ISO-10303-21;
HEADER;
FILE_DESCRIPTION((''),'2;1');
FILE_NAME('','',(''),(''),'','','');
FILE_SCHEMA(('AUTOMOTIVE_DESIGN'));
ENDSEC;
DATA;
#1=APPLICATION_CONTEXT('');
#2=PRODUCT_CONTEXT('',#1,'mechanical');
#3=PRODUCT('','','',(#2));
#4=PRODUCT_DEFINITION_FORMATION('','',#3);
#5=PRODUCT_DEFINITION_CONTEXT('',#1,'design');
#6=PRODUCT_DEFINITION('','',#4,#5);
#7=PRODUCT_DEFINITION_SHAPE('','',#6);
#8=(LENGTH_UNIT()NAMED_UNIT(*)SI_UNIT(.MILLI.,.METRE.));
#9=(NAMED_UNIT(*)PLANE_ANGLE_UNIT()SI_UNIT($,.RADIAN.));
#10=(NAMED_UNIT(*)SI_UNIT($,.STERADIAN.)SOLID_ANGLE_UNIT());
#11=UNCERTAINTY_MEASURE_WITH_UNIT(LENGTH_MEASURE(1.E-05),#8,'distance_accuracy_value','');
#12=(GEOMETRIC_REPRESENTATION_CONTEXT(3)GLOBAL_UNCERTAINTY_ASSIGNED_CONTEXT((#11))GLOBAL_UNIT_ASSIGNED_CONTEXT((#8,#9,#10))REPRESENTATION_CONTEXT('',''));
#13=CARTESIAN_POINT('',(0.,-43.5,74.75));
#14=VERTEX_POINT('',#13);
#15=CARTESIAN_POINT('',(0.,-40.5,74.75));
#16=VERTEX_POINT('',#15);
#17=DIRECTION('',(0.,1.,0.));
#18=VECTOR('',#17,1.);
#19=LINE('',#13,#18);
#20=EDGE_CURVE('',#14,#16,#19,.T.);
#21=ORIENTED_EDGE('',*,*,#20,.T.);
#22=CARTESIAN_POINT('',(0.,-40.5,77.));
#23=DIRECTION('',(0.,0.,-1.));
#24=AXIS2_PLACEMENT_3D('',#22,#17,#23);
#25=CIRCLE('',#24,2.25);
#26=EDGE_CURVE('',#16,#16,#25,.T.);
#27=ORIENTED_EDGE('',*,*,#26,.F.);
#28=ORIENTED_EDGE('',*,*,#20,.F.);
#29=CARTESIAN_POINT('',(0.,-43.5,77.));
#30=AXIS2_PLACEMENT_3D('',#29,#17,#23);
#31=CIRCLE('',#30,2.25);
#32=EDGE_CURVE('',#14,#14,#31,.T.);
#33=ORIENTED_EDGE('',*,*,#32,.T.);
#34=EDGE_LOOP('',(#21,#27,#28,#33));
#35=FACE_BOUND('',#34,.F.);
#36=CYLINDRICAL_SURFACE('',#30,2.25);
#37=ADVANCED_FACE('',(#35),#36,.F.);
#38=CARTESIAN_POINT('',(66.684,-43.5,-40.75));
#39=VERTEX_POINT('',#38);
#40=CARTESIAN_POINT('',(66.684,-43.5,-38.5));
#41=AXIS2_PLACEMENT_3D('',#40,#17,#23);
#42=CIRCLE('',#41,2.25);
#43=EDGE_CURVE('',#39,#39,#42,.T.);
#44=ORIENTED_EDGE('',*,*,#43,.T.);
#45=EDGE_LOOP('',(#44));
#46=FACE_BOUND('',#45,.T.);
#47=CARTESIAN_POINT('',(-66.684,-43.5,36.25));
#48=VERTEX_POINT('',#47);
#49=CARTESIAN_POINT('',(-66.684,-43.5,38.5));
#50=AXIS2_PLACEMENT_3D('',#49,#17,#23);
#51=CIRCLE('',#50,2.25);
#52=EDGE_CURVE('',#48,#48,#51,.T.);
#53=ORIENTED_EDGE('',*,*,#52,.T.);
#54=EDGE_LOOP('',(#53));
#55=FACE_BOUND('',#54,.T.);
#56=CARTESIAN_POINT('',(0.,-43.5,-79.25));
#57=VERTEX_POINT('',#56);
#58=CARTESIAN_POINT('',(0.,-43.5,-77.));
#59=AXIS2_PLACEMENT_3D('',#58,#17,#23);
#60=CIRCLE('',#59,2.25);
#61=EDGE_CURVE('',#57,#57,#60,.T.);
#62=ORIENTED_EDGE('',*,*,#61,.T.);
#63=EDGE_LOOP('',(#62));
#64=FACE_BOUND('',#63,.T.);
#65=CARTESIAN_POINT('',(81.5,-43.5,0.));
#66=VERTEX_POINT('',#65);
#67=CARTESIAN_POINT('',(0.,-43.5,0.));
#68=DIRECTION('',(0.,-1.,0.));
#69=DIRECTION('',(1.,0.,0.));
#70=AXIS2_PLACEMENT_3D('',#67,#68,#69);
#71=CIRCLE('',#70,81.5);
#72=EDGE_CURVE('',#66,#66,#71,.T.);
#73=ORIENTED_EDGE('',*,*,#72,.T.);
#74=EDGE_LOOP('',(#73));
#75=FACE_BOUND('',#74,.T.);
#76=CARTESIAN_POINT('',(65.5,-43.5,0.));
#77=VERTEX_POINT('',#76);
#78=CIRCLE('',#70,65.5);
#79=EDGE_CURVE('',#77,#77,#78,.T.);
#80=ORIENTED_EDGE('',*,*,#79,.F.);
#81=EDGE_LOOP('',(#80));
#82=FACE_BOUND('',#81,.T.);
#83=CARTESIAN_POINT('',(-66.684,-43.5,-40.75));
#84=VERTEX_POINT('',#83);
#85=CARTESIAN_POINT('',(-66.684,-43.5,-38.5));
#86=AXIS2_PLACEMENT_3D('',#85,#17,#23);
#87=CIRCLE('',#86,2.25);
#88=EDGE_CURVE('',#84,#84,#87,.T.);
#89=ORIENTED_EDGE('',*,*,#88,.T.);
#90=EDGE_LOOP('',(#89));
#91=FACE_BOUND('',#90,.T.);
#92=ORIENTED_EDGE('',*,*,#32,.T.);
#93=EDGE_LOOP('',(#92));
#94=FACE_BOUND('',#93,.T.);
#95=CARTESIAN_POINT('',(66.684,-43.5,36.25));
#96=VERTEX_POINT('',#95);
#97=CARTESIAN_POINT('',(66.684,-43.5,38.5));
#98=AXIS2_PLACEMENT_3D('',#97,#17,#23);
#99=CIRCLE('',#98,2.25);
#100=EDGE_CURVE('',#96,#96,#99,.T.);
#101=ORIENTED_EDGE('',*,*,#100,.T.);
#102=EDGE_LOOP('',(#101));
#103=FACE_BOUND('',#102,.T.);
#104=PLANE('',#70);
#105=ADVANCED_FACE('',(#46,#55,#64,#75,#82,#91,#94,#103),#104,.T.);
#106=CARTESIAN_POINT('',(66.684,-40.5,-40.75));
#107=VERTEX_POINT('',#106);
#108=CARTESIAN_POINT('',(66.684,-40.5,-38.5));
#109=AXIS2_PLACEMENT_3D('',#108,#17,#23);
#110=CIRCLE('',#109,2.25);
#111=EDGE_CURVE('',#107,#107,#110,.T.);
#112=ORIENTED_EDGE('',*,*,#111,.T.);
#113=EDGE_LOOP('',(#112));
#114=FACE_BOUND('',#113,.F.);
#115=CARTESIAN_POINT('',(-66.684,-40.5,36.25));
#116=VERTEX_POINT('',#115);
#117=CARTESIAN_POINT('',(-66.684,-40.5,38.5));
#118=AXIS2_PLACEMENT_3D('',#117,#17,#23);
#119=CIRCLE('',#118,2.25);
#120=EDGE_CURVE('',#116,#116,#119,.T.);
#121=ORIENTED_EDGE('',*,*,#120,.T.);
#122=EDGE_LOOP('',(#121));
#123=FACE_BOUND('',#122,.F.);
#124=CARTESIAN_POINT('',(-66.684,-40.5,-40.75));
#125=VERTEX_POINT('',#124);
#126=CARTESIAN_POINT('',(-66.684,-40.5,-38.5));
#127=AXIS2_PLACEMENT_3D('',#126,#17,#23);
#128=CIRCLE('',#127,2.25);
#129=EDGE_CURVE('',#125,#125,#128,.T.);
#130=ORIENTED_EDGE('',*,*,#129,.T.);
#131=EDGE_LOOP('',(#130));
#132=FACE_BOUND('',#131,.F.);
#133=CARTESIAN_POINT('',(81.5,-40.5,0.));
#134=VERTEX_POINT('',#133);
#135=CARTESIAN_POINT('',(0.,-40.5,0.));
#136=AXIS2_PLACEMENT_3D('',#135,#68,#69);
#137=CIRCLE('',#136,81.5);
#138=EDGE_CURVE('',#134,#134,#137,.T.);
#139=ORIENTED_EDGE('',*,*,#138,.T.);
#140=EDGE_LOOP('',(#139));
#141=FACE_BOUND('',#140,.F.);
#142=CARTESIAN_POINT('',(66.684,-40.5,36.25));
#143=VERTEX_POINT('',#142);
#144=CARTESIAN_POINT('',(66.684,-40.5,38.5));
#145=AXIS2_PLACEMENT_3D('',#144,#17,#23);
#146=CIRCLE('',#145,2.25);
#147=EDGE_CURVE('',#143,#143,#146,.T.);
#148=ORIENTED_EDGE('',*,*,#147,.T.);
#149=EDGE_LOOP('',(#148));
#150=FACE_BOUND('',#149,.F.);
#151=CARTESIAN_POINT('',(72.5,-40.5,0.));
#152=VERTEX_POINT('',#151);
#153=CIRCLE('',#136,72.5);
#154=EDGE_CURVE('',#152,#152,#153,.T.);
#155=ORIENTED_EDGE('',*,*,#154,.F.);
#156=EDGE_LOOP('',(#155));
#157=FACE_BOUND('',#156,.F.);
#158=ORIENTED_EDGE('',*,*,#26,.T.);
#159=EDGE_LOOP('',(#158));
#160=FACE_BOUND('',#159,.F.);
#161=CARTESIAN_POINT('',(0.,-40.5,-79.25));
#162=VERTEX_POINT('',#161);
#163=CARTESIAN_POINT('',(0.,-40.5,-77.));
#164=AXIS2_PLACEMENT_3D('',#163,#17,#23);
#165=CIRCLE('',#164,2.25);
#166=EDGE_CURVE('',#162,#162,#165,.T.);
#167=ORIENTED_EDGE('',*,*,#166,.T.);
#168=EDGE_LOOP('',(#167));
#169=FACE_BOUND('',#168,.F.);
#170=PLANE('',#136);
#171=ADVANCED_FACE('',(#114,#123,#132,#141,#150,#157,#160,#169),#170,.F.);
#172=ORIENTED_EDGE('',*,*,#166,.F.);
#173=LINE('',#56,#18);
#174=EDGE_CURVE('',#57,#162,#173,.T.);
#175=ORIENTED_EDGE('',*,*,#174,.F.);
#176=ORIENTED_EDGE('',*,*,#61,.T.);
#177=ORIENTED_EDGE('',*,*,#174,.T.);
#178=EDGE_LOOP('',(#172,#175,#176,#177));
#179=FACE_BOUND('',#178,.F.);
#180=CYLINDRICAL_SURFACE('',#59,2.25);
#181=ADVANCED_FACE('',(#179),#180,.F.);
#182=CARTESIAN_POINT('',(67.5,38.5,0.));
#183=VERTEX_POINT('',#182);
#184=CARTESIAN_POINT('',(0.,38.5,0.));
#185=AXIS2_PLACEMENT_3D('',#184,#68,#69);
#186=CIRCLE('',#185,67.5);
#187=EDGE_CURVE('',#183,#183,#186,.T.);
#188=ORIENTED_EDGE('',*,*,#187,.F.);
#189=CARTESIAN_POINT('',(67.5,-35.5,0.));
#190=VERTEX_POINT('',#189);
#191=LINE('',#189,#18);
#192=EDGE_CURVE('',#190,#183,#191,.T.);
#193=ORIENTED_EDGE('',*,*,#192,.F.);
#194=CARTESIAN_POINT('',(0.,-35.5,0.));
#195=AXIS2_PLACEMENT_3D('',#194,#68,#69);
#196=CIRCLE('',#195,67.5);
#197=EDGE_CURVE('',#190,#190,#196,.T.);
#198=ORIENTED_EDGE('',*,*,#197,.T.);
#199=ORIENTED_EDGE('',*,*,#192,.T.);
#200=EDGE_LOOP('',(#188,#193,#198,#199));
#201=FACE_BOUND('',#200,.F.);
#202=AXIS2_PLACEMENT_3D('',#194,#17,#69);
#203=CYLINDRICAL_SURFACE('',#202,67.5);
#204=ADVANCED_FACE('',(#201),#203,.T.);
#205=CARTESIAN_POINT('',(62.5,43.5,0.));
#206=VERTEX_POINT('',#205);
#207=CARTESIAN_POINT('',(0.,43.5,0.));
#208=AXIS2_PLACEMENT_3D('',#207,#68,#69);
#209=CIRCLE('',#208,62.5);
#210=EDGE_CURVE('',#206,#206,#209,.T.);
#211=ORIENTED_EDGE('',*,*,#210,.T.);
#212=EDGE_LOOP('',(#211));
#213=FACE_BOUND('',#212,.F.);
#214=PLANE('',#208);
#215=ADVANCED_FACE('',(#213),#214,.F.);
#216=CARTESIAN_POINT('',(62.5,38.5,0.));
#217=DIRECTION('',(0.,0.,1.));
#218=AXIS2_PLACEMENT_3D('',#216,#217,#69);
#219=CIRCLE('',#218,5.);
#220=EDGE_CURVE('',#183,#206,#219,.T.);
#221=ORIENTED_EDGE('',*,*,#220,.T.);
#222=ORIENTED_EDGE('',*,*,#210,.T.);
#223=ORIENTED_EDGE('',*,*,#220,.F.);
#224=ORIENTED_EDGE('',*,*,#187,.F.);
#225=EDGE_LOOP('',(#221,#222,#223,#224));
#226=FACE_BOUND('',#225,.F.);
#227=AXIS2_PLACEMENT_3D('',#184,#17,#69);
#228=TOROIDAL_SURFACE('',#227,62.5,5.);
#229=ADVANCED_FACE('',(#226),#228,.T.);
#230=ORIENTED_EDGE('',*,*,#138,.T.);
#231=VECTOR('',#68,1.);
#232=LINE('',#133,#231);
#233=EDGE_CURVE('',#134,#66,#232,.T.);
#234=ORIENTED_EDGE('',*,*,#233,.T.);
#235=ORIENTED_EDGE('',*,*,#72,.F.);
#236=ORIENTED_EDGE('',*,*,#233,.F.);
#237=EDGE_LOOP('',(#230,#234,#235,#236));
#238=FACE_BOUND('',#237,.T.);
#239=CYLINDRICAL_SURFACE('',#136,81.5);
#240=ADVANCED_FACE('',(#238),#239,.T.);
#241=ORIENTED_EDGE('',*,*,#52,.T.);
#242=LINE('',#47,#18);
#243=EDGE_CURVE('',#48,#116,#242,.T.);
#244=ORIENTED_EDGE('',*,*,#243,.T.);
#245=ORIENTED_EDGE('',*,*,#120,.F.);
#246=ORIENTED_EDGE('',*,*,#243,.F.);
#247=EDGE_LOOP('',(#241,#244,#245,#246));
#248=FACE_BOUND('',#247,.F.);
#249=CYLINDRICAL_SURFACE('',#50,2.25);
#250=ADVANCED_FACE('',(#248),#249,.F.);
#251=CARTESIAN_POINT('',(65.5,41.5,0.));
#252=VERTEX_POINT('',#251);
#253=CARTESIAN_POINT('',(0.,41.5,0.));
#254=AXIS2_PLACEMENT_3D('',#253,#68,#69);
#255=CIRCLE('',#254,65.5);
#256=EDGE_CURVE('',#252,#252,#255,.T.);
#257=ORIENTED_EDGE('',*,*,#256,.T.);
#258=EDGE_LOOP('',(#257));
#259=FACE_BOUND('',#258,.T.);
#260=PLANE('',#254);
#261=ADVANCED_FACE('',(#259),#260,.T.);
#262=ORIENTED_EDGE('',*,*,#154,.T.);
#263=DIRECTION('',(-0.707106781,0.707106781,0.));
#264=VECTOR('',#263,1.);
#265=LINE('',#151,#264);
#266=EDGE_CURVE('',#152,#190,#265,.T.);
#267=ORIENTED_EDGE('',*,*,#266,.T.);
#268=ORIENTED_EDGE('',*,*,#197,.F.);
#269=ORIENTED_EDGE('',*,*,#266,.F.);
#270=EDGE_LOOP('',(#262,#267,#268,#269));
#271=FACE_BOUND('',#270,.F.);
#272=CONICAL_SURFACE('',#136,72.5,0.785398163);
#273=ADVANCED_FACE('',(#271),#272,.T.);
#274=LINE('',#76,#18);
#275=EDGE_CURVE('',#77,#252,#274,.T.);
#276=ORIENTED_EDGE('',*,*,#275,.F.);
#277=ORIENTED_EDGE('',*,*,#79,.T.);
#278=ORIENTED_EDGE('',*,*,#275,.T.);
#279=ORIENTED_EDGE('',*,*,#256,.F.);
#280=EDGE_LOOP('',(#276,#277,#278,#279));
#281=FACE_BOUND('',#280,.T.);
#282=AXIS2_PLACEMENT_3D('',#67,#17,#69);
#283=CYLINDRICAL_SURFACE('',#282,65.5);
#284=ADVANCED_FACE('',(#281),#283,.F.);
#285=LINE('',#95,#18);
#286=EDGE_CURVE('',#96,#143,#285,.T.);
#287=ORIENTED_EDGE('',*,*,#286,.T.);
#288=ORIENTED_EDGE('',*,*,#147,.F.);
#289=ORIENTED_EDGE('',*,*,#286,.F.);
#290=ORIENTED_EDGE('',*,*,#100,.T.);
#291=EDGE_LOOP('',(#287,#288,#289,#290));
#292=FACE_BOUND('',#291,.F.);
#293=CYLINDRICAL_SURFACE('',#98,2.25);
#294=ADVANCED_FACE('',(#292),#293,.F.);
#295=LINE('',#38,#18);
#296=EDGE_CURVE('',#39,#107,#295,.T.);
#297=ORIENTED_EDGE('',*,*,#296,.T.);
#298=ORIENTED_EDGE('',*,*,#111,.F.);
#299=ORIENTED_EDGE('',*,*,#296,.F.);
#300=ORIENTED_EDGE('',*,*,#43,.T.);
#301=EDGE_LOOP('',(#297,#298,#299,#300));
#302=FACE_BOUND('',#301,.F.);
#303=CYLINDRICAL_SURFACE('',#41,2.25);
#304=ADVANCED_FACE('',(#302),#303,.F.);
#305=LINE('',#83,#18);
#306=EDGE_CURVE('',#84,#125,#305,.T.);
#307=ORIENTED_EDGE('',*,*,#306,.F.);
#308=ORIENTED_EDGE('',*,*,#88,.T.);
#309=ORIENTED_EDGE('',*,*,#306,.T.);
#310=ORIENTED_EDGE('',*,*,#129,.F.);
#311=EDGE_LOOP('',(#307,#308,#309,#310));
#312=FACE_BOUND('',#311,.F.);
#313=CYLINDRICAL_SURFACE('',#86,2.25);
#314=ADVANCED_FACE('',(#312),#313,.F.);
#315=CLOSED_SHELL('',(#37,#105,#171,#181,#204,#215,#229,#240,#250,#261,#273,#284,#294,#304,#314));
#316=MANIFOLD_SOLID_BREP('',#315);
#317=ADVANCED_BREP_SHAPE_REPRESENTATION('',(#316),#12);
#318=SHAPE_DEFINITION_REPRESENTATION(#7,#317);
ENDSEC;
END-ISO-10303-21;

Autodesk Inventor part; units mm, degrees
ref_plane "YZ Plane" through (0, 0, 0) normal (1, 0, 0) x (0, 1, 0)
ref_plane "XZ Plane" through (0, 0, 0) normal (0, 1, 0) x (-1, 0, 0)
ref_plane "XY Plane" through (0, 0, 0) normal (0, 0, 1) x (1, 0, 0)
sketch "Sketch1" plane through (0, 0, 0) normal (0, 0, 1) x (1, 0, 0)
  line L0 (-16.3, 0) -> (97.8, 0) construction
  line L1 (0, 60.9) -> (0, -60.9) construction
  line L2 (65.5, -43.5) -> (65.5, 41.5)
  line L3 (81.5, -40.5) -> (81.5, -43.5)
  line L4 (81.5, -43.5) -> (65.5, -43.5)
  line L5 (67.5, -35.5) -> (67.5, 43.5)
  line L6 (81.5, -40.5) -> (72.5, -40.5)
  line L7 (72.5, -40.5) -> (67.5, -35.5)
  line L8 (67.5, 43.5) -> (0, 43.5)
  line L9 (65.5, 41.5) -> (0, 41.5)
  line L10 (0, 43.5) -> (0, 41.5)
  point P0 (0, 0)
  dimension "d5" = 81.5
  dimension "d7" = 9
  dimension "d8" = 5
  dimension "d9" = 45
  dimension "d10" = 16
  dimension "d11" = 3
  dimension "d30" = 2
  dimension "d32" = 2
  dimension "d34" = 87
revolve "Revolution1" add sketch "Sketch1" angle 360 about axis through (0, 0, 0) along (0, -1, 0)
sketch "Sketch2" plane through (0, -43.5, 0) normal (0, -1, 0) x (1, 0, 0)
  line L0 (0, 114.1) -> (0, -114.1) construction
  line L1 (-114.1, 0) -> (114.1, 0) construction
  circle A0 centre (0, 0) radius 81.5 construction
  circle A1 centre (0, 0) radius 65.5 construction
  circle A2 centre (0, 0) radius 77 construction
  circle A3 centre (0, 0) radius 72.5 construction
  point P0 (0, 77)
  point P1 (-66.684, 38.5)
  point P2 (-66.684, -38.5)
  point P3 (0, -77)
  point P4 (66.684, -38.5)
  point P5 (66.684, 38.5)
  dimension "d16" = 4.5
  dimension "d20" = 360
  dimension "d29" = 4.5
hole "Hole1" at (0, -43.5, 77) at (-66.684, -43.5, 38.5) at (-66.684, -43.5, -38.5) at (0, -43.5, -77) at (66.684, -43.5, -38.5) at (66.684, -43.5, 38.5) direction (0, 1, 0) diameter 4.5 depth 13 tip angle 118 clearance for "Flat Head Machine Screw" size "M4" standard "Ansi Metric M Profile"
fillet "Fillet1" radius 5 1 edges at (-67.5, 43.5, 0)
equation "\"d16\" = d29"
properties part number "Cover_Joint_1_2" material "Aluminum 6061"
